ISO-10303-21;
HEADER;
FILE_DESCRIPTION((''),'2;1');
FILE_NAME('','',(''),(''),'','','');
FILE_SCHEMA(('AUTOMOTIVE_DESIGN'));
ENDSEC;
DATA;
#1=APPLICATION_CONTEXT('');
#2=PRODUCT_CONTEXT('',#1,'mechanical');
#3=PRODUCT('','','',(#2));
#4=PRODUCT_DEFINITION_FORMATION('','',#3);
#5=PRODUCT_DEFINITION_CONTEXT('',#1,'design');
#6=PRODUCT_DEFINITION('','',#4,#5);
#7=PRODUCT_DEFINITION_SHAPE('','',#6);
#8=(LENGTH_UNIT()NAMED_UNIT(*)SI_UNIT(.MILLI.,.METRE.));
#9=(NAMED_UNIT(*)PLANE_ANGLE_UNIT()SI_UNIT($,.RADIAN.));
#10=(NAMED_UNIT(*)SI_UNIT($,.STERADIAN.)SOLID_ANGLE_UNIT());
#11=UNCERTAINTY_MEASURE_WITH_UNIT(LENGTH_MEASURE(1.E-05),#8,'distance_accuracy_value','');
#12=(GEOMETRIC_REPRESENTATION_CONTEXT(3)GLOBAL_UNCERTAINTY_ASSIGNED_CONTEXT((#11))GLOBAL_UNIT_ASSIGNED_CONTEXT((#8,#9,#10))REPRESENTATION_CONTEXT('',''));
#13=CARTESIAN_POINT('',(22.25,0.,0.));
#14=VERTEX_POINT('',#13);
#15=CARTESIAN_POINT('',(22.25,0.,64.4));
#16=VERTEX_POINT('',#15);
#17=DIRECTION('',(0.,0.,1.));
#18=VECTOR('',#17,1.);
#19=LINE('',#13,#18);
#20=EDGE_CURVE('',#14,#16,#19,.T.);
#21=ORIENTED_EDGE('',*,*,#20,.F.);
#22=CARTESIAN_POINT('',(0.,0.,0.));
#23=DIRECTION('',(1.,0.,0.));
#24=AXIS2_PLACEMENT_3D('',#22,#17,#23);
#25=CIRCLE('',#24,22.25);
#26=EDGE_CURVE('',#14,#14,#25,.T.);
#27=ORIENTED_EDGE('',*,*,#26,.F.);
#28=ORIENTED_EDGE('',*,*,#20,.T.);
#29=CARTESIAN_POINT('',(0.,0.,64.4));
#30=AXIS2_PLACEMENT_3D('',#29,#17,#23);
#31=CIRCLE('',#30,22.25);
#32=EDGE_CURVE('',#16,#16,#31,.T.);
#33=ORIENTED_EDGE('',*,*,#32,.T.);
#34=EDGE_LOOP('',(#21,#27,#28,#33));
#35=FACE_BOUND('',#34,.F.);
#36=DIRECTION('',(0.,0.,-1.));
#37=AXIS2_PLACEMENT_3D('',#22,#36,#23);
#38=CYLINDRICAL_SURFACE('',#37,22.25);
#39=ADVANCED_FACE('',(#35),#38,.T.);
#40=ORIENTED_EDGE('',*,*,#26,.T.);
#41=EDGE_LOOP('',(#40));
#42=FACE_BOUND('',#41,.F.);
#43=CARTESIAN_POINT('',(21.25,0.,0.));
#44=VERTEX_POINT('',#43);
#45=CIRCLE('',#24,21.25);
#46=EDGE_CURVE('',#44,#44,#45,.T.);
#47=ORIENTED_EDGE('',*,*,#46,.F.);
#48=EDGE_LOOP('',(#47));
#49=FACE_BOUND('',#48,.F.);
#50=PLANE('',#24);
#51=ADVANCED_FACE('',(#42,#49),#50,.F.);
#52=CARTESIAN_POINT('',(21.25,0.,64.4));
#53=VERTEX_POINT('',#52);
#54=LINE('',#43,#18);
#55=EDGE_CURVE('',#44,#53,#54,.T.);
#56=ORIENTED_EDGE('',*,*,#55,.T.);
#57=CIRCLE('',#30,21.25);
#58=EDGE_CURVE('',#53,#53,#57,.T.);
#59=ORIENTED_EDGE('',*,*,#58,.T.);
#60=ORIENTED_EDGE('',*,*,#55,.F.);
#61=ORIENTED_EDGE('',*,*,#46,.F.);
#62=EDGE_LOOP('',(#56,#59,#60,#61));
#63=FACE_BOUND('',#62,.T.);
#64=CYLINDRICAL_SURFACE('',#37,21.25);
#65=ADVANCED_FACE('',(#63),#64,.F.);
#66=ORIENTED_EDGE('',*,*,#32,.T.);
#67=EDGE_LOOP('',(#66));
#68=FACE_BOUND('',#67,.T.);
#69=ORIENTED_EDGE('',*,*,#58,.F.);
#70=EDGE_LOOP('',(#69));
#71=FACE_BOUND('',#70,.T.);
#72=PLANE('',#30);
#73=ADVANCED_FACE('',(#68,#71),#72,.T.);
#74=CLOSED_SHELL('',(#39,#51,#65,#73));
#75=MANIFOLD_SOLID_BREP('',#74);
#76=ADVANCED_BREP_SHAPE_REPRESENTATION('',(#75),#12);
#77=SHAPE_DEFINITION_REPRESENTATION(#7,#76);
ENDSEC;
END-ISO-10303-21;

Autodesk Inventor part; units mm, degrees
ref_plane "YZ Plane" through (0, 0, 0) normal (1, 0, 0) x (0, 1, 0)
ref_plane "XZ Plane" through (0, 0, 0) normal (0, 1, 0) x (-1, 0, 0)
ref_plane "XY Plane" through (0, 0, 0) normal (0, 0, 1) x (1, 0, 0)
sketch "Sketch1" plane through (0, 0, 0) normal (0, 0, 1) x (1, 0, 0)
  circle A0 centre (0, 0) radius 22.25
  circle A1 centre (0, 0) radius 21.25
  dimension "d0" = 42.5
  dimension "d1" = 44.5
extrude "Extrusion1" add sketch "Sketch1" along normal blind 64.4
properties part number "Waveguide Terminator Nipple"
